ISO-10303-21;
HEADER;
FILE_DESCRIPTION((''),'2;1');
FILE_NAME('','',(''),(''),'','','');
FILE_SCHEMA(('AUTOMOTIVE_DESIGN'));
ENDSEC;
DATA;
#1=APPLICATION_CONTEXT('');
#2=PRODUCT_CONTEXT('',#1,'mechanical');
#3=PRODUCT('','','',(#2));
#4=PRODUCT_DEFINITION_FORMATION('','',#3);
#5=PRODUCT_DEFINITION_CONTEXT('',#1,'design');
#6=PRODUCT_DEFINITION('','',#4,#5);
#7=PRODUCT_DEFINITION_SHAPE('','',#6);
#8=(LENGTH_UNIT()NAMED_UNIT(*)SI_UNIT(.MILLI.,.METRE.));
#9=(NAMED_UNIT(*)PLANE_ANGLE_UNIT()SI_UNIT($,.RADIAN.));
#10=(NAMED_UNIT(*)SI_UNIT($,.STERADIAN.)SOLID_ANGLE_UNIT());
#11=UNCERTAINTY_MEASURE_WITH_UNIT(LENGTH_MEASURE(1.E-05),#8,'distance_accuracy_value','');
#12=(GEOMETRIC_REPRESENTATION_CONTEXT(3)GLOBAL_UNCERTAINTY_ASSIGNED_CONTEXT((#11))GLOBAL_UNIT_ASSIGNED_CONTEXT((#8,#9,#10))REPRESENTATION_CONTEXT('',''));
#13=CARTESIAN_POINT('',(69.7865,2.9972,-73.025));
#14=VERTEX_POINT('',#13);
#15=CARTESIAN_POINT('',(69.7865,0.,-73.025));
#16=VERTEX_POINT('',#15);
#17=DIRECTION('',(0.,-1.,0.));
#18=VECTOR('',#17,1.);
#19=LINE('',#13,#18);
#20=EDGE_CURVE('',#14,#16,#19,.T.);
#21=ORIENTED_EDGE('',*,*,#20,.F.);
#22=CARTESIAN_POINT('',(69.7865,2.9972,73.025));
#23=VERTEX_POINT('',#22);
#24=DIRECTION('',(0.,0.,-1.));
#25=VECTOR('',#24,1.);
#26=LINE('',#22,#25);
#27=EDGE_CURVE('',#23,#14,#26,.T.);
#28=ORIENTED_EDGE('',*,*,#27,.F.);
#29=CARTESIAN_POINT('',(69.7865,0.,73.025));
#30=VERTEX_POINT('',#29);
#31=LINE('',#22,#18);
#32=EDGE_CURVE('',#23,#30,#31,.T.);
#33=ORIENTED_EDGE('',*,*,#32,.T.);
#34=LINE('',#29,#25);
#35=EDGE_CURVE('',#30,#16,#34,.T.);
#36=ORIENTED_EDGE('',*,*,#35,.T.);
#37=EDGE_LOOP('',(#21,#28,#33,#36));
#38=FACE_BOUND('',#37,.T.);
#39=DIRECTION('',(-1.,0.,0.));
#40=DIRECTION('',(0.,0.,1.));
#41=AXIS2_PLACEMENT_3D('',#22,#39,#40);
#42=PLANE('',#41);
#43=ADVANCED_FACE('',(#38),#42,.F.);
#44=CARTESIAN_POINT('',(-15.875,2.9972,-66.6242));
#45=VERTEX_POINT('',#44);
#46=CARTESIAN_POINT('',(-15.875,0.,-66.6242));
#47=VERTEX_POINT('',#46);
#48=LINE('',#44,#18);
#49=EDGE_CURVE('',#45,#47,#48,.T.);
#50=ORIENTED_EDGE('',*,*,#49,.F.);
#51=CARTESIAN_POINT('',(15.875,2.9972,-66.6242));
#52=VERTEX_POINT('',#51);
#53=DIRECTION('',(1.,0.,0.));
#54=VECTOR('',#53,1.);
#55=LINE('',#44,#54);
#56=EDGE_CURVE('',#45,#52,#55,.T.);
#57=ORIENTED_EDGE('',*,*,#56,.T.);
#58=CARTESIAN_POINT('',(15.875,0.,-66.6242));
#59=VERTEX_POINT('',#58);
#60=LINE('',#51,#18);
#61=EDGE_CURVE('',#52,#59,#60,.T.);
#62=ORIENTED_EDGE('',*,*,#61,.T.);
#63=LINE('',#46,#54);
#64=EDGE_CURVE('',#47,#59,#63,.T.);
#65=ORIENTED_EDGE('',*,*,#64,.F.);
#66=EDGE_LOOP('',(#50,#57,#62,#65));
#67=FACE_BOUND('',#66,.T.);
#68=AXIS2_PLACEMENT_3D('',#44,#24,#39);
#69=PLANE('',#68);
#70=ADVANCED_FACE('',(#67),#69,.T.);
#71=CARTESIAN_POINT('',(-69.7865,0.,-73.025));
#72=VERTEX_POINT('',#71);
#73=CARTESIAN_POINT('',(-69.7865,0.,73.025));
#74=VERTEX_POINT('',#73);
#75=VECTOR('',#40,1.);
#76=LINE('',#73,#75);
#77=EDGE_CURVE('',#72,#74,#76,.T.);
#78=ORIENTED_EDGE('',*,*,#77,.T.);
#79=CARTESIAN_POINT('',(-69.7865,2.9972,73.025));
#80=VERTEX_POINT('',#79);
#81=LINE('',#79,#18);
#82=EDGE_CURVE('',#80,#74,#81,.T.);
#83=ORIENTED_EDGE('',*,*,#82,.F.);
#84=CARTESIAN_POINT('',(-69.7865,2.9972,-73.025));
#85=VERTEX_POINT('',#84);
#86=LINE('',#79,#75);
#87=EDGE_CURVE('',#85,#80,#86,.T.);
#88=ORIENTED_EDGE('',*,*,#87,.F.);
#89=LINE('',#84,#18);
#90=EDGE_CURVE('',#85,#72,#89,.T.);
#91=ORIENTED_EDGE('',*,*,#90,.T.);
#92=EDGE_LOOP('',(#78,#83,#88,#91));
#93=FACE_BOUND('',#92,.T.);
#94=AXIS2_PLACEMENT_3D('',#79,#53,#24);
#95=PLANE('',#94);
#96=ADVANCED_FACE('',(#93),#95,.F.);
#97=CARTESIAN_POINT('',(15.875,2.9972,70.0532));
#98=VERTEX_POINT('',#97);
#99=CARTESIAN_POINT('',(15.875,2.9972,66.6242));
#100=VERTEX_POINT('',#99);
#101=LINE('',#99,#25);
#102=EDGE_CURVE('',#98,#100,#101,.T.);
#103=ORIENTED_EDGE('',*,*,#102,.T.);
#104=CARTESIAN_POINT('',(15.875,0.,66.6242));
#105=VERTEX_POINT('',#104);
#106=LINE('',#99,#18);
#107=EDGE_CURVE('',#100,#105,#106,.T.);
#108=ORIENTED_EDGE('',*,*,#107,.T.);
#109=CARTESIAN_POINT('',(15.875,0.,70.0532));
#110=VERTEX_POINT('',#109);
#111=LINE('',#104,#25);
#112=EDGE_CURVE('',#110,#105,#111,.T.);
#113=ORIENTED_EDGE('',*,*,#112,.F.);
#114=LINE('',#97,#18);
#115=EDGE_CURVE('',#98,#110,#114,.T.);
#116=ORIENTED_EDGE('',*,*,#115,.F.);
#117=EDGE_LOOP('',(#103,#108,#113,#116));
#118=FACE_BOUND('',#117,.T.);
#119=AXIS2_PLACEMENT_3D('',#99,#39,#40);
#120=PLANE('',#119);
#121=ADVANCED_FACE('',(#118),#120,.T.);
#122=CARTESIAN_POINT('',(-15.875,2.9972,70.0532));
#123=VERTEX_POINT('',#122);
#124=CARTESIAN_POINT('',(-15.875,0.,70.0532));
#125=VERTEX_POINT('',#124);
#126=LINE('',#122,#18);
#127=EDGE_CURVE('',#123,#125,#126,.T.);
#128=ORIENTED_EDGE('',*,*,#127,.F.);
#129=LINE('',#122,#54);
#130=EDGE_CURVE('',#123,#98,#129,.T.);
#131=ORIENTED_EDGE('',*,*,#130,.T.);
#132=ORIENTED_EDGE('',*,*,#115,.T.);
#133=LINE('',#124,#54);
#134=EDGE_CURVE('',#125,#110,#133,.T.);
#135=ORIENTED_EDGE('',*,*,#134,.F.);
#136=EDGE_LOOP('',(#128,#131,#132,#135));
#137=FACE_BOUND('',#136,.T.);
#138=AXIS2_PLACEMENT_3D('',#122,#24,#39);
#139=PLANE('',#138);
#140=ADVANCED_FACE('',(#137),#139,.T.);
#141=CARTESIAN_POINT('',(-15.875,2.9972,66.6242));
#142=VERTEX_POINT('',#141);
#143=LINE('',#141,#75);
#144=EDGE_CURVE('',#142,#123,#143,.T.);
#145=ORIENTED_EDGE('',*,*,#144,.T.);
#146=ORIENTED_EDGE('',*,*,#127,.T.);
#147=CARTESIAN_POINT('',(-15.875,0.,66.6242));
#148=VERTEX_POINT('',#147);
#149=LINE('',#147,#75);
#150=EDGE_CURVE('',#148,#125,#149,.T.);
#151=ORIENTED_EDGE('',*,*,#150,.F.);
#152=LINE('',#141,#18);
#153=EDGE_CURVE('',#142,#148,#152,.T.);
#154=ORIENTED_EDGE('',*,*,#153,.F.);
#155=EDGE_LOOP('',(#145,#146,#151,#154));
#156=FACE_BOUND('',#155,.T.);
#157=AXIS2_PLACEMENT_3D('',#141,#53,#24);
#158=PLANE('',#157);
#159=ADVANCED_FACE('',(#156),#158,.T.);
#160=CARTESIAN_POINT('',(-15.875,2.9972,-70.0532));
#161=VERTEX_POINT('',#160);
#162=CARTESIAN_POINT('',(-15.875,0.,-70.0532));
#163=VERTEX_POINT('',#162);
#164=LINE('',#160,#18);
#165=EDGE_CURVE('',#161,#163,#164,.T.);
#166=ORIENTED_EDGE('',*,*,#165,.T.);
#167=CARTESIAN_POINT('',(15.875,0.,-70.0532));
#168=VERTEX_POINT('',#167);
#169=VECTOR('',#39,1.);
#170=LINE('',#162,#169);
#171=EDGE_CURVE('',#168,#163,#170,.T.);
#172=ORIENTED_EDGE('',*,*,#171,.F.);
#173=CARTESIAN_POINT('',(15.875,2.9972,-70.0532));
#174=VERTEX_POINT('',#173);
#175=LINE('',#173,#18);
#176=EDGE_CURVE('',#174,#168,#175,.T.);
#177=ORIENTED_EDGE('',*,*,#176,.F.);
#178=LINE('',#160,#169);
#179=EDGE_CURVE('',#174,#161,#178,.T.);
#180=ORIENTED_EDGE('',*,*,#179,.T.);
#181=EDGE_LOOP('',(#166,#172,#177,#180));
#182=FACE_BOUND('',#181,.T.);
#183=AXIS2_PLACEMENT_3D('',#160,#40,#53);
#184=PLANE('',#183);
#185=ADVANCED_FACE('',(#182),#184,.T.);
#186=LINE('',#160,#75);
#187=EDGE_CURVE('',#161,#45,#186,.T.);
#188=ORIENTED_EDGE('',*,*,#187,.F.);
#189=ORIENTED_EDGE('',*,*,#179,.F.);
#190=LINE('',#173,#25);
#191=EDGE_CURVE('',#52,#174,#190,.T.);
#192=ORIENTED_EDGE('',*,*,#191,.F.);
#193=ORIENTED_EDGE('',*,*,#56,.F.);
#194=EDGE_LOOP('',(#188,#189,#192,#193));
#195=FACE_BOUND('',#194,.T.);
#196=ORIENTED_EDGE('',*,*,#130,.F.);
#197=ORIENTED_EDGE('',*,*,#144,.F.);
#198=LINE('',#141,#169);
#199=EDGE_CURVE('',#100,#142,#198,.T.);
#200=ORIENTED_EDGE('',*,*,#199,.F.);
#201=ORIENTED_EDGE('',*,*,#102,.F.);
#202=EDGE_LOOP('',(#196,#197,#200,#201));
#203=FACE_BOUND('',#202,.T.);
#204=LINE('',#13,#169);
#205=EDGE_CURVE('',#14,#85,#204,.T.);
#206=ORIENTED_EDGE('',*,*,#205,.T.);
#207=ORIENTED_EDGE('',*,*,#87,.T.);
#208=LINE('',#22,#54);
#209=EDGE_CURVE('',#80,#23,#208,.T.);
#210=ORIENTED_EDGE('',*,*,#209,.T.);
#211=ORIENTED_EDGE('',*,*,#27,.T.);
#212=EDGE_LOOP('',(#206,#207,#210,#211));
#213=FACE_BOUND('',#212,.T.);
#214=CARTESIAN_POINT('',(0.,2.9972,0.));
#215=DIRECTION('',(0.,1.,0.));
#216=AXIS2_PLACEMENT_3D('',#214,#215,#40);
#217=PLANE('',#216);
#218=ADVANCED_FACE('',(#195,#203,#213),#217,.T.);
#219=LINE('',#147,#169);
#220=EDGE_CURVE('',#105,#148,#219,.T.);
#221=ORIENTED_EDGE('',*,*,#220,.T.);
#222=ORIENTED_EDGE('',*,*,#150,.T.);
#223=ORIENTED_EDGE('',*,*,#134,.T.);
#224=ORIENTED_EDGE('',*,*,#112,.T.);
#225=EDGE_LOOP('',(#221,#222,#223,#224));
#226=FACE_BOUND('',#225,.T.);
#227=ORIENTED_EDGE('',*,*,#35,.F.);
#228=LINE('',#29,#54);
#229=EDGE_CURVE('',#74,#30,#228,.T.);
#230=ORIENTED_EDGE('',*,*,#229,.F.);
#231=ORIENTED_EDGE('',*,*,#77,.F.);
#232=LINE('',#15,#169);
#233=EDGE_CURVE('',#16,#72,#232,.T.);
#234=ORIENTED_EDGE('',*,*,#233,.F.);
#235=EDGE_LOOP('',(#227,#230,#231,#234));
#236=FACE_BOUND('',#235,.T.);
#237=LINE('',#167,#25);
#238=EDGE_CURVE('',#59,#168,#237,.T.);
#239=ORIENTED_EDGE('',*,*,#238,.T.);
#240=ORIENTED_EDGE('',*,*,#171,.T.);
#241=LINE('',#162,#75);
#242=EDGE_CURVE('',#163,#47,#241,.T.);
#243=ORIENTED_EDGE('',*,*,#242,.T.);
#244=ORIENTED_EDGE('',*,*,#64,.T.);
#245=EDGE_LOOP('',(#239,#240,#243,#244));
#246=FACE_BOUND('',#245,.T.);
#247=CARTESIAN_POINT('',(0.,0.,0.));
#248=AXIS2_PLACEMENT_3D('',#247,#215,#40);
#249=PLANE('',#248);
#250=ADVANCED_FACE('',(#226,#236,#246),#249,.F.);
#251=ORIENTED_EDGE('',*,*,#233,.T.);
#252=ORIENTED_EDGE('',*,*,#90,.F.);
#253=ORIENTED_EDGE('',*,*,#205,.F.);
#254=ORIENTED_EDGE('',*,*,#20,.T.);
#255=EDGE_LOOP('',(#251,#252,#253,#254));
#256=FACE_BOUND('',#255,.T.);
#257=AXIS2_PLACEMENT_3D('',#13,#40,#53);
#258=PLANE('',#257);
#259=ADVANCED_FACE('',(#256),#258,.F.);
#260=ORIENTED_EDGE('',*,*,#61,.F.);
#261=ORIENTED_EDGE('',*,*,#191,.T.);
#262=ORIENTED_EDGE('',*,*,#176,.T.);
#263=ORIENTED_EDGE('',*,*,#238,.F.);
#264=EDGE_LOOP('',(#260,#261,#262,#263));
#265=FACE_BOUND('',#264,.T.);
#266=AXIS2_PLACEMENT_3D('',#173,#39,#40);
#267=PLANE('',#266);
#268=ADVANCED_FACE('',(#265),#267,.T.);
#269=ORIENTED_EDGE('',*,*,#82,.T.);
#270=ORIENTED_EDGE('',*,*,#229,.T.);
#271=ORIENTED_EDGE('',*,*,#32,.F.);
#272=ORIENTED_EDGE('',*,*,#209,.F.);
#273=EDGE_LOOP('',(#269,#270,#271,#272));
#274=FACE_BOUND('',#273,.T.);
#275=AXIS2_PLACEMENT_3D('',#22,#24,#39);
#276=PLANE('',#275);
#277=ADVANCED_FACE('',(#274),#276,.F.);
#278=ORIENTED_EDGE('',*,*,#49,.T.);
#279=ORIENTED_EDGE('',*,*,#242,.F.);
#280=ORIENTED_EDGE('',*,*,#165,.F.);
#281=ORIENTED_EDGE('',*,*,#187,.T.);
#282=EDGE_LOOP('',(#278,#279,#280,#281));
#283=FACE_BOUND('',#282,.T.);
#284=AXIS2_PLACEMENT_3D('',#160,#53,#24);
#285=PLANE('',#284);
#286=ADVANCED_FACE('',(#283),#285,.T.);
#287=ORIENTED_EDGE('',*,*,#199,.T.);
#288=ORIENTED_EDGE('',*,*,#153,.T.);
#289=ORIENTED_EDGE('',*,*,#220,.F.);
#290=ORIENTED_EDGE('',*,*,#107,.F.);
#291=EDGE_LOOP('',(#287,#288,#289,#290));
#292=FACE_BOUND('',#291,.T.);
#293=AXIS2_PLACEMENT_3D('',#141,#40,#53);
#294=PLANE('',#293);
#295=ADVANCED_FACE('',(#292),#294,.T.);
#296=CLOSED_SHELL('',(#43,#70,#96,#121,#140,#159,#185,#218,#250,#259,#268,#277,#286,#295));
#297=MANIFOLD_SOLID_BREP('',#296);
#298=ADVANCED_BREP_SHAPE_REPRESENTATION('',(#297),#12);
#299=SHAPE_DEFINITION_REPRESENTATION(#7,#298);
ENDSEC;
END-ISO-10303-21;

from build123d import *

# Parameters (mm, degrees)
SKETCH1_W           = 139.573
SKETCH1_H           = 146.05
SKETCH1_W_2         = 31.75
SKETCH1_H_2         = 3.429
BOSS_EXTRUDE1_DEPTH = 2.9972


with BuildPart() as part:
    # Sketch1 → Boss-Extrude1 (new body)
    with BuildSketch(Plane(origin=(0, 0, 0), x_dir=(1, 0, 0), z_dir=(0, 1, 0))):
        Rectangle(SKETCH1_W, SKETCH1_H)
        with Locations((0, 68.3387)):
            Rectangle(SKETCH1_W_2, SKETCH1_H_2, mode=Mode.SUBTRACT)
        with Locations((0, -68.3387)):
            Rectangle(SKETCH1_W_2, SKETCH1_H_2, mode=Mode.SUBTRACT)
    extrude(amount=BOSS_EXTRUDE1_DEPTH)


solid = part.part
